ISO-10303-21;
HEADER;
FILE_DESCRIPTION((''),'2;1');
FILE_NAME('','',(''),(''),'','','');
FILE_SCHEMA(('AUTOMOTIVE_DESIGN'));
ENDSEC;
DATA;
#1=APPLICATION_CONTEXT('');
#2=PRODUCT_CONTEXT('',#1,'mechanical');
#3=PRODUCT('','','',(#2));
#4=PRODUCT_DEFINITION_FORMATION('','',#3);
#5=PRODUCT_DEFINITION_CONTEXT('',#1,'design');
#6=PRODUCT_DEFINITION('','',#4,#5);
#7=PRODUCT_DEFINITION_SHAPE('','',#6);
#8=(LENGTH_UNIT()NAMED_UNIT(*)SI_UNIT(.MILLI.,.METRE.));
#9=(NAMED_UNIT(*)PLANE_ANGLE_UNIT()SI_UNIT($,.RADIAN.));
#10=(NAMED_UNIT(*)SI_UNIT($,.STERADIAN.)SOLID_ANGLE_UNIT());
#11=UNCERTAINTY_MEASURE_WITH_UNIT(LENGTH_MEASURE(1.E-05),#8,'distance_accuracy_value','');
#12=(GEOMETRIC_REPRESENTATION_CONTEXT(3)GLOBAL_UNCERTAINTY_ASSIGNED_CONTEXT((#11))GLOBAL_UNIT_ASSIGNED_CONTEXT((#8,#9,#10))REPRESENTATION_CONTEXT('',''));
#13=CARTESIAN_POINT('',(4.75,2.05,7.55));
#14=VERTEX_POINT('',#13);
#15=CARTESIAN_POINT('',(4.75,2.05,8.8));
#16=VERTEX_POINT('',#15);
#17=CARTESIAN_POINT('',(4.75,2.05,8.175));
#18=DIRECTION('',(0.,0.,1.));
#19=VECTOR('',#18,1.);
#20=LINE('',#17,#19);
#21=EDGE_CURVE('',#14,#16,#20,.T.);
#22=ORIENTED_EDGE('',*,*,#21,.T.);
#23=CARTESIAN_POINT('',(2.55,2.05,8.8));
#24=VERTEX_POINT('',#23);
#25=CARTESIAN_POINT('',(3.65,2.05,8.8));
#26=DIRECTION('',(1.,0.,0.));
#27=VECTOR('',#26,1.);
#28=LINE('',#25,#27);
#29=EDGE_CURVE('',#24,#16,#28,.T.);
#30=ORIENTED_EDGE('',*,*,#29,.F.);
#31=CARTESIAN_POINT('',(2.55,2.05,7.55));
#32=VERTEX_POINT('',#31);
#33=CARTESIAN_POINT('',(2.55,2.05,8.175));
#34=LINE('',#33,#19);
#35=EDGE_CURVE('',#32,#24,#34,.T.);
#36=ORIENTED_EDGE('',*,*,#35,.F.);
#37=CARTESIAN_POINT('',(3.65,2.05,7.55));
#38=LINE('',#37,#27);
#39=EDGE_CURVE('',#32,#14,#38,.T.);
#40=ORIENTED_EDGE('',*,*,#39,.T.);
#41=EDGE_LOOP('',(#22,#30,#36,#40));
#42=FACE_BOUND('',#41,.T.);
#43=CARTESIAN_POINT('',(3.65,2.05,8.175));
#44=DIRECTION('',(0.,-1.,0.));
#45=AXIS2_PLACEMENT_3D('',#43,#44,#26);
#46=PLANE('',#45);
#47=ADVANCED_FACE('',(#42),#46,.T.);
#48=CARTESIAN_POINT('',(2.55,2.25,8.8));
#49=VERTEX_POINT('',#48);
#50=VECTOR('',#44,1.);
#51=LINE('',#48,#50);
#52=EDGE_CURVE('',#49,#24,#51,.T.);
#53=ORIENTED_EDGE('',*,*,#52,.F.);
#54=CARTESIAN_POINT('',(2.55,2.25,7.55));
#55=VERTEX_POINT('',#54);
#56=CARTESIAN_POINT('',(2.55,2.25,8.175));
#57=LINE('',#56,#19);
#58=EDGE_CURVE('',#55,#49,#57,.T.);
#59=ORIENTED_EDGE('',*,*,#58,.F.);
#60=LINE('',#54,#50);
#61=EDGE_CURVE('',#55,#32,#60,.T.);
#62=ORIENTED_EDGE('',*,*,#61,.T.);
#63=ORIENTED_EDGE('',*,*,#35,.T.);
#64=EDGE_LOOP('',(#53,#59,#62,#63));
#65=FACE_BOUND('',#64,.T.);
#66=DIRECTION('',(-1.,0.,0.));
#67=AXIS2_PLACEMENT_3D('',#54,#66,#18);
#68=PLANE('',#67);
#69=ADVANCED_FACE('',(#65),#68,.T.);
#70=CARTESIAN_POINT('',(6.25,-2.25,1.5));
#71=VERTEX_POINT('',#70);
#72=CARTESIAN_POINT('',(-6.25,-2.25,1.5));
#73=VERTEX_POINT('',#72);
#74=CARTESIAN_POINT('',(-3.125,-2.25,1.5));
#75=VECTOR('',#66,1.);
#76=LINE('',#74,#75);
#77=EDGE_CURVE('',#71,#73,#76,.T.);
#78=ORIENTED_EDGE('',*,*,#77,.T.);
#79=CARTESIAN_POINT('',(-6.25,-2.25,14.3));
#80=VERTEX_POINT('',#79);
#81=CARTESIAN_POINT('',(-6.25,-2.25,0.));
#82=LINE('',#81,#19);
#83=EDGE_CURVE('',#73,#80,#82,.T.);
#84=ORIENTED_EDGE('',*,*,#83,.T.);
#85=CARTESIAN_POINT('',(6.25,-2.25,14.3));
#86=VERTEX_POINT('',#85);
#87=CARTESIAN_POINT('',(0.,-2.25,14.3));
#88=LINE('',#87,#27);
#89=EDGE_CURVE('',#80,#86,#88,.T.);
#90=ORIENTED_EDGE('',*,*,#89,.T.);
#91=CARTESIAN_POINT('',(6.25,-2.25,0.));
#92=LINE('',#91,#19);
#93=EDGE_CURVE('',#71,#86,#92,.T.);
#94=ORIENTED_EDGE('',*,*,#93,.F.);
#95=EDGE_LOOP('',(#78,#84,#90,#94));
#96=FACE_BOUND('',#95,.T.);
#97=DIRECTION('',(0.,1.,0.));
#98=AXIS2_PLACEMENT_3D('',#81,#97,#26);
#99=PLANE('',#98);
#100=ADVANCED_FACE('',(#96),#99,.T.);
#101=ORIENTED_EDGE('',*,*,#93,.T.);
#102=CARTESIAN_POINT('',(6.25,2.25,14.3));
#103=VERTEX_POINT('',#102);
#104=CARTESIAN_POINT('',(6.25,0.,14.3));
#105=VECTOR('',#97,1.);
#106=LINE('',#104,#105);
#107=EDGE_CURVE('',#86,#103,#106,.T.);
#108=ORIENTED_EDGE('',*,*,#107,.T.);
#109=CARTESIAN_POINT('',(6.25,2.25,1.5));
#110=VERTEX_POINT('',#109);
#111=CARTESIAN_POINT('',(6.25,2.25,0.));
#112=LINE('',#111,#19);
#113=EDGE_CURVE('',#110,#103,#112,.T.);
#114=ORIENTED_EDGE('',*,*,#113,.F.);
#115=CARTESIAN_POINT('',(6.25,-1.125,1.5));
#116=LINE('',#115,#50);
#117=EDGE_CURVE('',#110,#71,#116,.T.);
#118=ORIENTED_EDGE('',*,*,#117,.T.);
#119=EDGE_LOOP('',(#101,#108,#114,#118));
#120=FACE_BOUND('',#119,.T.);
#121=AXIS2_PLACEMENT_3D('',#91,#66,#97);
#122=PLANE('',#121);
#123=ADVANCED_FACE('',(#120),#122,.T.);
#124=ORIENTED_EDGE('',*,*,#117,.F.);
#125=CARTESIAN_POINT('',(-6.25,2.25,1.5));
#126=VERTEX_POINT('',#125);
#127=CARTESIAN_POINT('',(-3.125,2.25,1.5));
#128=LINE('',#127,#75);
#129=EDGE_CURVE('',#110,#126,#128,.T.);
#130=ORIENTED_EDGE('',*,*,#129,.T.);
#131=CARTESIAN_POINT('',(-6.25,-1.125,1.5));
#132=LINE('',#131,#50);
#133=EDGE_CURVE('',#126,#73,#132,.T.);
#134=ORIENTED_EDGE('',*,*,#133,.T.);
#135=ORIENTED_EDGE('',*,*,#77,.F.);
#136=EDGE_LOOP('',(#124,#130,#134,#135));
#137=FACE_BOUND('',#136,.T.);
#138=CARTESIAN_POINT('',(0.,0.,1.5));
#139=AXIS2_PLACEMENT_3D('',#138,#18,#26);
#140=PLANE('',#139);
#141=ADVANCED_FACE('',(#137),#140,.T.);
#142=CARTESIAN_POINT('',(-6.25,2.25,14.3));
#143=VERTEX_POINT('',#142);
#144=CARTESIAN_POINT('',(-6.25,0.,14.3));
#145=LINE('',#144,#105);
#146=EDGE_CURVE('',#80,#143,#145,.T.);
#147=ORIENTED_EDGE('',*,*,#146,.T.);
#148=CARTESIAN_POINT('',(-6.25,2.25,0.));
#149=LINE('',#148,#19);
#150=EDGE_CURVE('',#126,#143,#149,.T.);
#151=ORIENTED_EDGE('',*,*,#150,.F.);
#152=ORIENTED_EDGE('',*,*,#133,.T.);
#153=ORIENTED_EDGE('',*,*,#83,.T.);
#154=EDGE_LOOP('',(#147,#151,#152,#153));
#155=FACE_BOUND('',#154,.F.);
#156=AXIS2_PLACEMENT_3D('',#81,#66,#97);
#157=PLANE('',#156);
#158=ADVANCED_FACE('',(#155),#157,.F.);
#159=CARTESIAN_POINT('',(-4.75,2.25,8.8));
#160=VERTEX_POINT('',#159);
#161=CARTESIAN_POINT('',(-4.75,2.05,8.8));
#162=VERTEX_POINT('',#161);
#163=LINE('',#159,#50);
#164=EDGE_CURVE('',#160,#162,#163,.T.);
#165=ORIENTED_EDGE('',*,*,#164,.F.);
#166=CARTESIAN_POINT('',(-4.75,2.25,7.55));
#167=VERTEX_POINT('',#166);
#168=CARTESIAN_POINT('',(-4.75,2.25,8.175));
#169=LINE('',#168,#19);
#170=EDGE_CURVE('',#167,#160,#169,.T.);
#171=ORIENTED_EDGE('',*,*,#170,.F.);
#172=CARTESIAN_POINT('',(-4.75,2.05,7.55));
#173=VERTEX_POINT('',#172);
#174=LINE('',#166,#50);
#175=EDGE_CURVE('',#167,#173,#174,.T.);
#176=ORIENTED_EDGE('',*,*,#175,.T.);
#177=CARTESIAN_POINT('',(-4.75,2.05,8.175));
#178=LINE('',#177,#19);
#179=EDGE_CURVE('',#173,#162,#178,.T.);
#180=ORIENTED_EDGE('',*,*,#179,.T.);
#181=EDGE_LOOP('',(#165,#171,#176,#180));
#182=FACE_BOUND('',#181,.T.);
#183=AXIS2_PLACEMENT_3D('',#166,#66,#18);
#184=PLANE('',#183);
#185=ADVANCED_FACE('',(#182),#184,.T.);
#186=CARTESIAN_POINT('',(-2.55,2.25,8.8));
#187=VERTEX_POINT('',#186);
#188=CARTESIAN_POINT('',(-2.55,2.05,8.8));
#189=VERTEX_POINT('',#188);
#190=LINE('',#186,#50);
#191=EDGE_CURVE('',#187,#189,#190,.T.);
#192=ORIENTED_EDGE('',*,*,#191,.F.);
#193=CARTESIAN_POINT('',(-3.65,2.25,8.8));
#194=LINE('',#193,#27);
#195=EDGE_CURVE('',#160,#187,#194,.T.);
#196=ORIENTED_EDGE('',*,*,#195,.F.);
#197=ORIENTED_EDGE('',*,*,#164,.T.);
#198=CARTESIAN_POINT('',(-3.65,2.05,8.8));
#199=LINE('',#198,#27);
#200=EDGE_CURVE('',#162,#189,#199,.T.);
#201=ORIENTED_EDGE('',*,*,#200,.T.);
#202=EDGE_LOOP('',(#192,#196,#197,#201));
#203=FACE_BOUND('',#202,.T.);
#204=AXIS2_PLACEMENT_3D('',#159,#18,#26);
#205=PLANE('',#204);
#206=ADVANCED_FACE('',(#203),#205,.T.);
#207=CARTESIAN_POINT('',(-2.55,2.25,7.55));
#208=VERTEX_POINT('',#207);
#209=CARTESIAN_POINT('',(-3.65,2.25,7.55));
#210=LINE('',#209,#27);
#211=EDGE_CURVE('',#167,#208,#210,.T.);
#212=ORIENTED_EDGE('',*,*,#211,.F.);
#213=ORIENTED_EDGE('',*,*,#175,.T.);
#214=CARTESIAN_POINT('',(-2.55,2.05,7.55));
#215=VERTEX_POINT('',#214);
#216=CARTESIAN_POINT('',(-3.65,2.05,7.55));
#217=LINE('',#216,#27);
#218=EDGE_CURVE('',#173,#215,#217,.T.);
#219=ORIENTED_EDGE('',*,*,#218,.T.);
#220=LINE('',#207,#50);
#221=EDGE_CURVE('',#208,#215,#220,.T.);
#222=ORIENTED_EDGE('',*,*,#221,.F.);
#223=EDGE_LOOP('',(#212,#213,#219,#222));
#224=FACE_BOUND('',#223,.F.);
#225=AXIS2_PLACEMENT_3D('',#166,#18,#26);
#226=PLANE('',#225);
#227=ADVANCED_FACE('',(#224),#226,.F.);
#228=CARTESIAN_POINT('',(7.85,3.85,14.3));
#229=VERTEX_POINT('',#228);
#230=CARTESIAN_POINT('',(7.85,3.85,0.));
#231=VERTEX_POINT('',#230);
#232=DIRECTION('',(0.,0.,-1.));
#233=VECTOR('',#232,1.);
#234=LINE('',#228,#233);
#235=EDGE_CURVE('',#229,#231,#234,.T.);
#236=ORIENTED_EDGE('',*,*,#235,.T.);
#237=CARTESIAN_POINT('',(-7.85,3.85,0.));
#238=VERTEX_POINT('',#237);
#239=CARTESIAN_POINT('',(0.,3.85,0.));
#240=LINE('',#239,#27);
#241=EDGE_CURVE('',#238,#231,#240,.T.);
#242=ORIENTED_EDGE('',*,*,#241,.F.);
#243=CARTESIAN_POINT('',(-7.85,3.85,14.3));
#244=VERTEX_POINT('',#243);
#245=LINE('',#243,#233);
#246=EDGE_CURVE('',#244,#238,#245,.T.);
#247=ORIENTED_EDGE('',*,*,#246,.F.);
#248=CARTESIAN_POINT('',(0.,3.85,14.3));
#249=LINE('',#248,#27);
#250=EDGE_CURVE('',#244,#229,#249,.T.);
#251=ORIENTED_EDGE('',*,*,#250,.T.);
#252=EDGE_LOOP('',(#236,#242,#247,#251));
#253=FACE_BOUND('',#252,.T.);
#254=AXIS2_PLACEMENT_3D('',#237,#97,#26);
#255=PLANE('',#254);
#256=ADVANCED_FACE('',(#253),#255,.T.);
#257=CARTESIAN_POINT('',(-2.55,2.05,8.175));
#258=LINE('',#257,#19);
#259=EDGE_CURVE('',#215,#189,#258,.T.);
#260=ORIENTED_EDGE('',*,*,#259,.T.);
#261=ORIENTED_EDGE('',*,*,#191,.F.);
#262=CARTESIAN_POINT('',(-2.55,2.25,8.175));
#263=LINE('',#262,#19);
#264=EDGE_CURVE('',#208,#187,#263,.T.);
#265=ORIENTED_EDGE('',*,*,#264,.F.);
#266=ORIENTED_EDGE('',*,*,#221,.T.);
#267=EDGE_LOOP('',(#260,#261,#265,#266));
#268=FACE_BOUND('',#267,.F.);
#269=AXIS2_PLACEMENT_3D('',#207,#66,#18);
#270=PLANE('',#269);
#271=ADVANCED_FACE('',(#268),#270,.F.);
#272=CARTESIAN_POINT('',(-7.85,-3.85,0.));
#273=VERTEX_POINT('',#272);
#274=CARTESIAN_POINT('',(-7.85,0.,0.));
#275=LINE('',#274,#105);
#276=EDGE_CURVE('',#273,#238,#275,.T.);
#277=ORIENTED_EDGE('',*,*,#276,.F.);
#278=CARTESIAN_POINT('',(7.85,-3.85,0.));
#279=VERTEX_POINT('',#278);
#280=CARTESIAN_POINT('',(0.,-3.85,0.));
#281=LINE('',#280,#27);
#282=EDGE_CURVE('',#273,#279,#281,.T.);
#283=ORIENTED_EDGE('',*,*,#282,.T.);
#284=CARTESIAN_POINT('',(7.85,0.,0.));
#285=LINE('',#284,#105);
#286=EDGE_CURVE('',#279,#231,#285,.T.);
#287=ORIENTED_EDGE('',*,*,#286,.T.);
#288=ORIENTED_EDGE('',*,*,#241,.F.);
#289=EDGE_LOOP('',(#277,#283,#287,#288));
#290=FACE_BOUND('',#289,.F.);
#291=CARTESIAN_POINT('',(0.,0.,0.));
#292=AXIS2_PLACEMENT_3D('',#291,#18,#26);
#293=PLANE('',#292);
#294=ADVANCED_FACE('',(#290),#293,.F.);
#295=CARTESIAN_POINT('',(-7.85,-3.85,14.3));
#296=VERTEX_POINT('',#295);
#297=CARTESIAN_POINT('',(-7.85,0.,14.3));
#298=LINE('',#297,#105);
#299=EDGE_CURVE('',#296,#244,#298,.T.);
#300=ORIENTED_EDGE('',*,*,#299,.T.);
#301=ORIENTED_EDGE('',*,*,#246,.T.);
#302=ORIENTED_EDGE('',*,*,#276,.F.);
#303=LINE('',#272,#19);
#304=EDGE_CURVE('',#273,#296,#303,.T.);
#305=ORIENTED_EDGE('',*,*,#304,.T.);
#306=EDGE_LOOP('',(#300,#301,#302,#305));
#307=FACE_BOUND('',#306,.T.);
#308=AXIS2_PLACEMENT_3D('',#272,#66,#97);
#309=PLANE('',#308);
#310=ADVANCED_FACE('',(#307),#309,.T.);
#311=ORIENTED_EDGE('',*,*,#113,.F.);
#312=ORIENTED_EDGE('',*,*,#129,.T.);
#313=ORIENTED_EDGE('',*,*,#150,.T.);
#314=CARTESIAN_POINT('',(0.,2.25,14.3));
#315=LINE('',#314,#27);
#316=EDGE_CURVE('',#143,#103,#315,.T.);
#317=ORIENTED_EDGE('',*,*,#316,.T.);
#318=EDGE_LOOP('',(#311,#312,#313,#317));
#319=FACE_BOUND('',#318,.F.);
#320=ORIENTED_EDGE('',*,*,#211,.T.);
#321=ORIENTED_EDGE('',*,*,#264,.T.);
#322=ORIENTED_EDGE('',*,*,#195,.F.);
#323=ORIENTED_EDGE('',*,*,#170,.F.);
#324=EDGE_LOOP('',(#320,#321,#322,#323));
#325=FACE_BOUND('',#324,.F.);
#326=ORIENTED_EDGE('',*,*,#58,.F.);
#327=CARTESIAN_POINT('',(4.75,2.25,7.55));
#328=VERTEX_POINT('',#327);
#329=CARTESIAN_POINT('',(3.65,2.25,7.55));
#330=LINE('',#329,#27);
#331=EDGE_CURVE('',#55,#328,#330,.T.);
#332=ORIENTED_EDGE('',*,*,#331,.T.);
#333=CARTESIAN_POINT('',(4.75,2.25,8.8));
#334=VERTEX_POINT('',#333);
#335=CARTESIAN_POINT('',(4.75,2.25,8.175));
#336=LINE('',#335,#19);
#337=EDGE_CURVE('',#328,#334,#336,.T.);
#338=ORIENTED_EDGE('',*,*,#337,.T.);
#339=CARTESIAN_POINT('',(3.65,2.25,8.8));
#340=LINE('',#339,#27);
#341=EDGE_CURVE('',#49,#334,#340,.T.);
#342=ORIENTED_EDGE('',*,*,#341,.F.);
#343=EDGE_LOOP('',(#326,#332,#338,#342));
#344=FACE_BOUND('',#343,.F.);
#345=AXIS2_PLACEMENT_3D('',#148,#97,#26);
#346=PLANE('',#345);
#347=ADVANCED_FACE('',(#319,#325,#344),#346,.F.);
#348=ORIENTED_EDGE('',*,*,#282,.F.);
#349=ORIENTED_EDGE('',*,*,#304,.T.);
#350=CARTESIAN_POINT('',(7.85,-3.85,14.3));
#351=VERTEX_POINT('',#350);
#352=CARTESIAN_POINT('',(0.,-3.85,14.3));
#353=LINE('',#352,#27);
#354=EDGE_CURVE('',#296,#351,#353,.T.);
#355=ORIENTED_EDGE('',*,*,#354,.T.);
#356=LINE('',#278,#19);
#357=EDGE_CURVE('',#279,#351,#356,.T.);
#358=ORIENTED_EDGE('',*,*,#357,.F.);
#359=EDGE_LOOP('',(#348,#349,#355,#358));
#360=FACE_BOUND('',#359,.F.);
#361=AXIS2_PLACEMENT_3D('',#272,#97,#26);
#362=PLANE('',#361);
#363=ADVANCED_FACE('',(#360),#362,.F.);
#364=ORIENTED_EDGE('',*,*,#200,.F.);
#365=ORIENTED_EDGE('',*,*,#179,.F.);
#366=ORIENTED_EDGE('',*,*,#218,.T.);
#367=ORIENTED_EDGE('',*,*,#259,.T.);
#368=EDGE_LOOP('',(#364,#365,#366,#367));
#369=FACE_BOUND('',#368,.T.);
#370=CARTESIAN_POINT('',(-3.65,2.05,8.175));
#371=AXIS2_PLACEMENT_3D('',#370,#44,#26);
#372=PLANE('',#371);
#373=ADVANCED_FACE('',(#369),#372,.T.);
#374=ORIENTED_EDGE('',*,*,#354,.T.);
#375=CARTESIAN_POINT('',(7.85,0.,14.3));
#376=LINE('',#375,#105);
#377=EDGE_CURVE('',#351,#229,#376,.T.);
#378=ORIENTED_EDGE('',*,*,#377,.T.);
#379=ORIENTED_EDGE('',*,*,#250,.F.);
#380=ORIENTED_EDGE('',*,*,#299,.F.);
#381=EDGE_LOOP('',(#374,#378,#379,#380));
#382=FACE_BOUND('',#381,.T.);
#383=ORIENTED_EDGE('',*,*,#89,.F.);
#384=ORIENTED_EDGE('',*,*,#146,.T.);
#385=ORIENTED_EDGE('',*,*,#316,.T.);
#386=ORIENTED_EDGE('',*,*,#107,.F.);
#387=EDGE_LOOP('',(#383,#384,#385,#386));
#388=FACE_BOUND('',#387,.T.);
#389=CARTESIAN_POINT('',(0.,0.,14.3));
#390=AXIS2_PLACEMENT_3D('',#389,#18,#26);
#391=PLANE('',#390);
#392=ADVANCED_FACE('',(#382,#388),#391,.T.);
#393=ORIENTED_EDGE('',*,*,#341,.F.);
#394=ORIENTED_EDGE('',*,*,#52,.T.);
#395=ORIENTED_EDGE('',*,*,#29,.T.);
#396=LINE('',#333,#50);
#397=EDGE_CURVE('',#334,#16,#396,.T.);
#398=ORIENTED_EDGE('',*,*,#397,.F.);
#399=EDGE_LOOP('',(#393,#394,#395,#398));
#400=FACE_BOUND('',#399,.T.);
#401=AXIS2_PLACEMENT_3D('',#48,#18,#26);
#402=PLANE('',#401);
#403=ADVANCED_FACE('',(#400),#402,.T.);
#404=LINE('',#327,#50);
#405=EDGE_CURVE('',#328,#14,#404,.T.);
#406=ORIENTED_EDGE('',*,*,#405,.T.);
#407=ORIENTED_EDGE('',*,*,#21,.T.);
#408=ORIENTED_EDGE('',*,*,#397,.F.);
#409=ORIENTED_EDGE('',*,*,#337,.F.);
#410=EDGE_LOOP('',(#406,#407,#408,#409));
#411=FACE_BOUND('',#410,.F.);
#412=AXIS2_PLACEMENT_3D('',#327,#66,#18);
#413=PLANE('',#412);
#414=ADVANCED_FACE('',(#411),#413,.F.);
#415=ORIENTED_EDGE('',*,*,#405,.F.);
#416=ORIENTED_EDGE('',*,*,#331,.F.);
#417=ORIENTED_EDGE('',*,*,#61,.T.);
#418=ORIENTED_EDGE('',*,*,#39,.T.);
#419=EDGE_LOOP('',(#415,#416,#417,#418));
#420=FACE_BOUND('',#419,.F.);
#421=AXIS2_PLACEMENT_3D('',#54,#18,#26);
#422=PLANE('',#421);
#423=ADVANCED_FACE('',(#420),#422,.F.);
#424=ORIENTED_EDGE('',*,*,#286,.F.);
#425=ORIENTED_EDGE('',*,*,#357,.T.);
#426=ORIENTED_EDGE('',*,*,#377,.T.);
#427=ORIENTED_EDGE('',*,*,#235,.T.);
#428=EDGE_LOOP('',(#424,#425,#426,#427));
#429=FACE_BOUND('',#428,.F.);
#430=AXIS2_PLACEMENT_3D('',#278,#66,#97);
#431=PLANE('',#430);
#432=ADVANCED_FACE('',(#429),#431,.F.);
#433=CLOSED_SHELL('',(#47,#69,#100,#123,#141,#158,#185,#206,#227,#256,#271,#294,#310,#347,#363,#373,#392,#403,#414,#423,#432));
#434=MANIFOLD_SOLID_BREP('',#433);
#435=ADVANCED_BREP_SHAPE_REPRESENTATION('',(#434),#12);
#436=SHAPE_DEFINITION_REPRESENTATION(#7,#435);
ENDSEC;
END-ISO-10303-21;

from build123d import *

# Parameters (mm, degrees)
F0_W     = 15.7
F0_H     = 7.7
F0_W_2   = 12.5
F0_H_2   = 4.5
F1_DEPTH = 1.5
F2_DEPTH = 14.3
F3_W     = 2.2
F3_H     = 1.25
F4_DEPTH = 0.2


with BuildPart() as f1:
    # F0 (on Top) → F1 (new body)
    with BuildSketch(Plane.XY):
        Rectangle(F0_W, F0_H)
        Rectangle(F0_W_2, F0_H_2, mode=Mode.SUBTRACT)
        Rectangle(F0_W_2, F0_H_2)
    extrude(amount=F1_DEPTH)

    # F0 (on Top) → F2 (join)
    with BuildSketch(Plane.XY):
        Rectangle(F0_W, F0_H)
        Rectangle(F0_W_2, F0_H_2, mode=Mode.SUBTRACT)
    extrude(amount=F2_DEPTH)

    # F3 (on face) → F4 (join)
    with BuildSketch(Plane.XZ.offset(-2.25)):
        with Locations((3.65, 8.175)):
            Rectangle(F3_W, F3_H)
        with Locations((-3.65, 8.175)):
            Rectangle(F3_W, F3_H)
    extrude(amount=F4_DEPTH)


solid = f1.part
